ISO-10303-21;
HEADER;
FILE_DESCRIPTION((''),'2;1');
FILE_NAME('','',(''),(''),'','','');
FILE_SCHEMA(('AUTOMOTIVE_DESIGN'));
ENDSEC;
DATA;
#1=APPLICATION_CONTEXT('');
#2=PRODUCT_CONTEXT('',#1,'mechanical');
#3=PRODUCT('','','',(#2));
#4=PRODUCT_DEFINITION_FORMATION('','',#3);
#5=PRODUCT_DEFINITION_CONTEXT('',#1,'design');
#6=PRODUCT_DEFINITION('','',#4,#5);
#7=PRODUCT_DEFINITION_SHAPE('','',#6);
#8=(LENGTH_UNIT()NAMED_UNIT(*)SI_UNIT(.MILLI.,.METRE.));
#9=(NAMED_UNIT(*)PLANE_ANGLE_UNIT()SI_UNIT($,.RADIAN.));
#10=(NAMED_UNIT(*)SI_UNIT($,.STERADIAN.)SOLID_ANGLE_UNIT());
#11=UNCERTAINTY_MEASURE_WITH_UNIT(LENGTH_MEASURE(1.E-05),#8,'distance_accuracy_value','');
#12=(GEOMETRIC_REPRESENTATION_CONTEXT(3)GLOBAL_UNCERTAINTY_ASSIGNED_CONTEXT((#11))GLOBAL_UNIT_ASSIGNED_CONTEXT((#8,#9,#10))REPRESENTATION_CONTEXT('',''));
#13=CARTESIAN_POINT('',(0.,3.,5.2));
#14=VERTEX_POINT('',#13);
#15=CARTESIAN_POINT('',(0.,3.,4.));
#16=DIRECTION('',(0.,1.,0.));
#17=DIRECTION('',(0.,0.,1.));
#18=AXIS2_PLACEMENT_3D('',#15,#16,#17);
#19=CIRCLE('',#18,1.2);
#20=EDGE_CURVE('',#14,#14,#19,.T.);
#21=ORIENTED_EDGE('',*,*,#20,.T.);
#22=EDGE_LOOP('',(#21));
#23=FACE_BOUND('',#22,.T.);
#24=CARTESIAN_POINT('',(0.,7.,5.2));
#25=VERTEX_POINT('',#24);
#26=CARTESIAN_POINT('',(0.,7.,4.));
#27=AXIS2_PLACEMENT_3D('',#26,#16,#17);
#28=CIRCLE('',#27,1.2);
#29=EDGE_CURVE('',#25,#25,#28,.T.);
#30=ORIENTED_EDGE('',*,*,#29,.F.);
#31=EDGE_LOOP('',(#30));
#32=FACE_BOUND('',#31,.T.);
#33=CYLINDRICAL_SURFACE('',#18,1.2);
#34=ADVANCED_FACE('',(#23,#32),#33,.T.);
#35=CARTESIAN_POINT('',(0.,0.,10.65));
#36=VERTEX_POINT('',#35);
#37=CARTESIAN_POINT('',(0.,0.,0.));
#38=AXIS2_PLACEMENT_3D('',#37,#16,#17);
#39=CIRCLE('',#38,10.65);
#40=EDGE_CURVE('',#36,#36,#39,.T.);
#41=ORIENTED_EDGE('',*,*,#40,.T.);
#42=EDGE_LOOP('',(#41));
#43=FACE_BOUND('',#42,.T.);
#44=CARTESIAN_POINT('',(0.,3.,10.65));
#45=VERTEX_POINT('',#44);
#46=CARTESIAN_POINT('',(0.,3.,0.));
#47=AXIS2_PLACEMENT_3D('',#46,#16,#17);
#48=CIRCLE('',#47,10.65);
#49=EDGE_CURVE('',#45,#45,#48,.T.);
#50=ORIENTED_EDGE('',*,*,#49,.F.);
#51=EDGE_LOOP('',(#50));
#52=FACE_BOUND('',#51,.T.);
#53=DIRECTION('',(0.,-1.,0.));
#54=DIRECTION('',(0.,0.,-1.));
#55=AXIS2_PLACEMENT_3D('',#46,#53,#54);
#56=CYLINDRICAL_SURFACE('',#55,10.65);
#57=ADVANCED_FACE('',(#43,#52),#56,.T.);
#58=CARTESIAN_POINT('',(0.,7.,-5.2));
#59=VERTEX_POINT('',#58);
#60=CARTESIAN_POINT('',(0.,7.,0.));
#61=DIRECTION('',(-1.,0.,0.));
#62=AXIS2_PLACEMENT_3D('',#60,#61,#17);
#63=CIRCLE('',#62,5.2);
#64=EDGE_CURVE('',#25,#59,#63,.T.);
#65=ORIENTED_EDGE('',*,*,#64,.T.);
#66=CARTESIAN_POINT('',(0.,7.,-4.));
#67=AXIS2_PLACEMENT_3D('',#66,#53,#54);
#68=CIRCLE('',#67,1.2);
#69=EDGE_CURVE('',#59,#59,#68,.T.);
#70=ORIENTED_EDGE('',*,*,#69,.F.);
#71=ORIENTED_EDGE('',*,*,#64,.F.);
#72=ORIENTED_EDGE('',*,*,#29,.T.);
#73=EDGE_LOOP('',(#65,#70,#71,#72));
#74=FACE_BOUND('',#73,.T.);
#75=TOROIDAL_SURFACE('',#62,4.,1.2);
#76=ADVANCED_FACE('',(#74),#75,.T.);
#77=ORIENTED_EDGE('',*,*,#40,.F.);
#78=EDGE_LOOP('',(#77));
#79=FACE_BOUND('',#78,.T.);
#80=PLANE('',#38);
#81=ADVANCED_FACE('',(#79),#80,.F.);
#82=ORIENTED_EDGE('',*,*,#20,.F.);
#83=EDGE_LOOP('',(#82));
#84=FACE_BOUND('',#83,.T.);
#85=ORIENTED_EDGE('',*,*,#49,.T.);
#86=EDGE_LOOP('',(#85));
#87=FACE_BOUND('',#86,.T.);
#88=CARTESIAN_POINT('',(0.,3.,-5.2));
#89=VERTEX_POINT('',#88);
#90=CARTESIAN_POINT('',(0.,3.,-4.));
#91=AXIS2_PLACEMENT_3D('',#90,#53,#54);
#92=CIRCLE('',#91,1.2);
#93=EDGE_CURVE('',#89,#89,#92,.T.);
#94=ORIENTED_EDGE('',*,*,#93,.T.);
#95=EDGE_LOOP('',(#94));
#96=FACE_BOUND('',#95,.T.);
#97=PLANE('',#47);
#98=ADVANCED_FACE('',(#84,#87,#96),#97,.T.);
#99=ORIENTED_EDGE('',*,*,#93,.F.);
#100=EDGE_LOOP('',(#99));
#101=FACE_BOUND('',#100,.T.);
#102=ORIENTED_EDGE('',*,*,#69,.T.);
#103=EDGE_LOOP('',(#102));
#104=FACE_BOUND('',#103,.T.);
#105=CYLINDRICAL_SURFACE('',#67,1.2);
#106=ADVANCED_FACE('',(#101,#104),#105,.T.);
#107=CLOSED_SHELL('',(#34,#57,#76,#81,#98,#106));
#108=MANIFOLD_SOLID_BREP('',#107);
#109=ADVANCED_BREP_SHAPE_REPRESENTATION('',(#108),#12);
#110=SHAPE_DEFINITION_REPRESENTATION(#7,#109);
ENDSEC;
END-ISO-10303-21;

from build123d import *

# Parameters (mm, degrees)
SKETCH1_R           = 10.65
BOSS_EXTRUDE1_DEPTH = 3
SKETCH2_R           = 1.2


with BuildPart() as part:
    # Sketch1 → Boss-Extrude1 (new body)
    with BuildSketch(Plane(origin=(0, 0, 0), x_dir=(1, 0, 0), z_dir=(0, 1, 0))):
        with Locations(Location((0, 0, 0), (0, 0, 270))):
            Circle(SKETCH1_R)
    extrude(amount=BOSS_EXTRUDE1_DEPTH)

    # Sweep1: sweep along a path in Sketch3
    with BuildLine(Plane(origin=(0, 0, 0), x_dir=(0, 0, -1), z_dir=(1, 0, 0))) as sweep1_path:
        Line((-4, 3), (-4, 7))
        ThreePointArc((-4, 7), (0, 11), (4, 7))
        Line((4, 7), (4, 3))
    # Sketch2 → Sweep1 (sweep)
    with BuildSketch(Plane(origin=(0, 3, 0), x_dir=(1, 0, 0), z_dir=(0, 1, 0))):
        with Locations((0, -4)):
            Circle(SKETCH2_R)
    sweep(path=sweep1_path.line)


solid = part.part
